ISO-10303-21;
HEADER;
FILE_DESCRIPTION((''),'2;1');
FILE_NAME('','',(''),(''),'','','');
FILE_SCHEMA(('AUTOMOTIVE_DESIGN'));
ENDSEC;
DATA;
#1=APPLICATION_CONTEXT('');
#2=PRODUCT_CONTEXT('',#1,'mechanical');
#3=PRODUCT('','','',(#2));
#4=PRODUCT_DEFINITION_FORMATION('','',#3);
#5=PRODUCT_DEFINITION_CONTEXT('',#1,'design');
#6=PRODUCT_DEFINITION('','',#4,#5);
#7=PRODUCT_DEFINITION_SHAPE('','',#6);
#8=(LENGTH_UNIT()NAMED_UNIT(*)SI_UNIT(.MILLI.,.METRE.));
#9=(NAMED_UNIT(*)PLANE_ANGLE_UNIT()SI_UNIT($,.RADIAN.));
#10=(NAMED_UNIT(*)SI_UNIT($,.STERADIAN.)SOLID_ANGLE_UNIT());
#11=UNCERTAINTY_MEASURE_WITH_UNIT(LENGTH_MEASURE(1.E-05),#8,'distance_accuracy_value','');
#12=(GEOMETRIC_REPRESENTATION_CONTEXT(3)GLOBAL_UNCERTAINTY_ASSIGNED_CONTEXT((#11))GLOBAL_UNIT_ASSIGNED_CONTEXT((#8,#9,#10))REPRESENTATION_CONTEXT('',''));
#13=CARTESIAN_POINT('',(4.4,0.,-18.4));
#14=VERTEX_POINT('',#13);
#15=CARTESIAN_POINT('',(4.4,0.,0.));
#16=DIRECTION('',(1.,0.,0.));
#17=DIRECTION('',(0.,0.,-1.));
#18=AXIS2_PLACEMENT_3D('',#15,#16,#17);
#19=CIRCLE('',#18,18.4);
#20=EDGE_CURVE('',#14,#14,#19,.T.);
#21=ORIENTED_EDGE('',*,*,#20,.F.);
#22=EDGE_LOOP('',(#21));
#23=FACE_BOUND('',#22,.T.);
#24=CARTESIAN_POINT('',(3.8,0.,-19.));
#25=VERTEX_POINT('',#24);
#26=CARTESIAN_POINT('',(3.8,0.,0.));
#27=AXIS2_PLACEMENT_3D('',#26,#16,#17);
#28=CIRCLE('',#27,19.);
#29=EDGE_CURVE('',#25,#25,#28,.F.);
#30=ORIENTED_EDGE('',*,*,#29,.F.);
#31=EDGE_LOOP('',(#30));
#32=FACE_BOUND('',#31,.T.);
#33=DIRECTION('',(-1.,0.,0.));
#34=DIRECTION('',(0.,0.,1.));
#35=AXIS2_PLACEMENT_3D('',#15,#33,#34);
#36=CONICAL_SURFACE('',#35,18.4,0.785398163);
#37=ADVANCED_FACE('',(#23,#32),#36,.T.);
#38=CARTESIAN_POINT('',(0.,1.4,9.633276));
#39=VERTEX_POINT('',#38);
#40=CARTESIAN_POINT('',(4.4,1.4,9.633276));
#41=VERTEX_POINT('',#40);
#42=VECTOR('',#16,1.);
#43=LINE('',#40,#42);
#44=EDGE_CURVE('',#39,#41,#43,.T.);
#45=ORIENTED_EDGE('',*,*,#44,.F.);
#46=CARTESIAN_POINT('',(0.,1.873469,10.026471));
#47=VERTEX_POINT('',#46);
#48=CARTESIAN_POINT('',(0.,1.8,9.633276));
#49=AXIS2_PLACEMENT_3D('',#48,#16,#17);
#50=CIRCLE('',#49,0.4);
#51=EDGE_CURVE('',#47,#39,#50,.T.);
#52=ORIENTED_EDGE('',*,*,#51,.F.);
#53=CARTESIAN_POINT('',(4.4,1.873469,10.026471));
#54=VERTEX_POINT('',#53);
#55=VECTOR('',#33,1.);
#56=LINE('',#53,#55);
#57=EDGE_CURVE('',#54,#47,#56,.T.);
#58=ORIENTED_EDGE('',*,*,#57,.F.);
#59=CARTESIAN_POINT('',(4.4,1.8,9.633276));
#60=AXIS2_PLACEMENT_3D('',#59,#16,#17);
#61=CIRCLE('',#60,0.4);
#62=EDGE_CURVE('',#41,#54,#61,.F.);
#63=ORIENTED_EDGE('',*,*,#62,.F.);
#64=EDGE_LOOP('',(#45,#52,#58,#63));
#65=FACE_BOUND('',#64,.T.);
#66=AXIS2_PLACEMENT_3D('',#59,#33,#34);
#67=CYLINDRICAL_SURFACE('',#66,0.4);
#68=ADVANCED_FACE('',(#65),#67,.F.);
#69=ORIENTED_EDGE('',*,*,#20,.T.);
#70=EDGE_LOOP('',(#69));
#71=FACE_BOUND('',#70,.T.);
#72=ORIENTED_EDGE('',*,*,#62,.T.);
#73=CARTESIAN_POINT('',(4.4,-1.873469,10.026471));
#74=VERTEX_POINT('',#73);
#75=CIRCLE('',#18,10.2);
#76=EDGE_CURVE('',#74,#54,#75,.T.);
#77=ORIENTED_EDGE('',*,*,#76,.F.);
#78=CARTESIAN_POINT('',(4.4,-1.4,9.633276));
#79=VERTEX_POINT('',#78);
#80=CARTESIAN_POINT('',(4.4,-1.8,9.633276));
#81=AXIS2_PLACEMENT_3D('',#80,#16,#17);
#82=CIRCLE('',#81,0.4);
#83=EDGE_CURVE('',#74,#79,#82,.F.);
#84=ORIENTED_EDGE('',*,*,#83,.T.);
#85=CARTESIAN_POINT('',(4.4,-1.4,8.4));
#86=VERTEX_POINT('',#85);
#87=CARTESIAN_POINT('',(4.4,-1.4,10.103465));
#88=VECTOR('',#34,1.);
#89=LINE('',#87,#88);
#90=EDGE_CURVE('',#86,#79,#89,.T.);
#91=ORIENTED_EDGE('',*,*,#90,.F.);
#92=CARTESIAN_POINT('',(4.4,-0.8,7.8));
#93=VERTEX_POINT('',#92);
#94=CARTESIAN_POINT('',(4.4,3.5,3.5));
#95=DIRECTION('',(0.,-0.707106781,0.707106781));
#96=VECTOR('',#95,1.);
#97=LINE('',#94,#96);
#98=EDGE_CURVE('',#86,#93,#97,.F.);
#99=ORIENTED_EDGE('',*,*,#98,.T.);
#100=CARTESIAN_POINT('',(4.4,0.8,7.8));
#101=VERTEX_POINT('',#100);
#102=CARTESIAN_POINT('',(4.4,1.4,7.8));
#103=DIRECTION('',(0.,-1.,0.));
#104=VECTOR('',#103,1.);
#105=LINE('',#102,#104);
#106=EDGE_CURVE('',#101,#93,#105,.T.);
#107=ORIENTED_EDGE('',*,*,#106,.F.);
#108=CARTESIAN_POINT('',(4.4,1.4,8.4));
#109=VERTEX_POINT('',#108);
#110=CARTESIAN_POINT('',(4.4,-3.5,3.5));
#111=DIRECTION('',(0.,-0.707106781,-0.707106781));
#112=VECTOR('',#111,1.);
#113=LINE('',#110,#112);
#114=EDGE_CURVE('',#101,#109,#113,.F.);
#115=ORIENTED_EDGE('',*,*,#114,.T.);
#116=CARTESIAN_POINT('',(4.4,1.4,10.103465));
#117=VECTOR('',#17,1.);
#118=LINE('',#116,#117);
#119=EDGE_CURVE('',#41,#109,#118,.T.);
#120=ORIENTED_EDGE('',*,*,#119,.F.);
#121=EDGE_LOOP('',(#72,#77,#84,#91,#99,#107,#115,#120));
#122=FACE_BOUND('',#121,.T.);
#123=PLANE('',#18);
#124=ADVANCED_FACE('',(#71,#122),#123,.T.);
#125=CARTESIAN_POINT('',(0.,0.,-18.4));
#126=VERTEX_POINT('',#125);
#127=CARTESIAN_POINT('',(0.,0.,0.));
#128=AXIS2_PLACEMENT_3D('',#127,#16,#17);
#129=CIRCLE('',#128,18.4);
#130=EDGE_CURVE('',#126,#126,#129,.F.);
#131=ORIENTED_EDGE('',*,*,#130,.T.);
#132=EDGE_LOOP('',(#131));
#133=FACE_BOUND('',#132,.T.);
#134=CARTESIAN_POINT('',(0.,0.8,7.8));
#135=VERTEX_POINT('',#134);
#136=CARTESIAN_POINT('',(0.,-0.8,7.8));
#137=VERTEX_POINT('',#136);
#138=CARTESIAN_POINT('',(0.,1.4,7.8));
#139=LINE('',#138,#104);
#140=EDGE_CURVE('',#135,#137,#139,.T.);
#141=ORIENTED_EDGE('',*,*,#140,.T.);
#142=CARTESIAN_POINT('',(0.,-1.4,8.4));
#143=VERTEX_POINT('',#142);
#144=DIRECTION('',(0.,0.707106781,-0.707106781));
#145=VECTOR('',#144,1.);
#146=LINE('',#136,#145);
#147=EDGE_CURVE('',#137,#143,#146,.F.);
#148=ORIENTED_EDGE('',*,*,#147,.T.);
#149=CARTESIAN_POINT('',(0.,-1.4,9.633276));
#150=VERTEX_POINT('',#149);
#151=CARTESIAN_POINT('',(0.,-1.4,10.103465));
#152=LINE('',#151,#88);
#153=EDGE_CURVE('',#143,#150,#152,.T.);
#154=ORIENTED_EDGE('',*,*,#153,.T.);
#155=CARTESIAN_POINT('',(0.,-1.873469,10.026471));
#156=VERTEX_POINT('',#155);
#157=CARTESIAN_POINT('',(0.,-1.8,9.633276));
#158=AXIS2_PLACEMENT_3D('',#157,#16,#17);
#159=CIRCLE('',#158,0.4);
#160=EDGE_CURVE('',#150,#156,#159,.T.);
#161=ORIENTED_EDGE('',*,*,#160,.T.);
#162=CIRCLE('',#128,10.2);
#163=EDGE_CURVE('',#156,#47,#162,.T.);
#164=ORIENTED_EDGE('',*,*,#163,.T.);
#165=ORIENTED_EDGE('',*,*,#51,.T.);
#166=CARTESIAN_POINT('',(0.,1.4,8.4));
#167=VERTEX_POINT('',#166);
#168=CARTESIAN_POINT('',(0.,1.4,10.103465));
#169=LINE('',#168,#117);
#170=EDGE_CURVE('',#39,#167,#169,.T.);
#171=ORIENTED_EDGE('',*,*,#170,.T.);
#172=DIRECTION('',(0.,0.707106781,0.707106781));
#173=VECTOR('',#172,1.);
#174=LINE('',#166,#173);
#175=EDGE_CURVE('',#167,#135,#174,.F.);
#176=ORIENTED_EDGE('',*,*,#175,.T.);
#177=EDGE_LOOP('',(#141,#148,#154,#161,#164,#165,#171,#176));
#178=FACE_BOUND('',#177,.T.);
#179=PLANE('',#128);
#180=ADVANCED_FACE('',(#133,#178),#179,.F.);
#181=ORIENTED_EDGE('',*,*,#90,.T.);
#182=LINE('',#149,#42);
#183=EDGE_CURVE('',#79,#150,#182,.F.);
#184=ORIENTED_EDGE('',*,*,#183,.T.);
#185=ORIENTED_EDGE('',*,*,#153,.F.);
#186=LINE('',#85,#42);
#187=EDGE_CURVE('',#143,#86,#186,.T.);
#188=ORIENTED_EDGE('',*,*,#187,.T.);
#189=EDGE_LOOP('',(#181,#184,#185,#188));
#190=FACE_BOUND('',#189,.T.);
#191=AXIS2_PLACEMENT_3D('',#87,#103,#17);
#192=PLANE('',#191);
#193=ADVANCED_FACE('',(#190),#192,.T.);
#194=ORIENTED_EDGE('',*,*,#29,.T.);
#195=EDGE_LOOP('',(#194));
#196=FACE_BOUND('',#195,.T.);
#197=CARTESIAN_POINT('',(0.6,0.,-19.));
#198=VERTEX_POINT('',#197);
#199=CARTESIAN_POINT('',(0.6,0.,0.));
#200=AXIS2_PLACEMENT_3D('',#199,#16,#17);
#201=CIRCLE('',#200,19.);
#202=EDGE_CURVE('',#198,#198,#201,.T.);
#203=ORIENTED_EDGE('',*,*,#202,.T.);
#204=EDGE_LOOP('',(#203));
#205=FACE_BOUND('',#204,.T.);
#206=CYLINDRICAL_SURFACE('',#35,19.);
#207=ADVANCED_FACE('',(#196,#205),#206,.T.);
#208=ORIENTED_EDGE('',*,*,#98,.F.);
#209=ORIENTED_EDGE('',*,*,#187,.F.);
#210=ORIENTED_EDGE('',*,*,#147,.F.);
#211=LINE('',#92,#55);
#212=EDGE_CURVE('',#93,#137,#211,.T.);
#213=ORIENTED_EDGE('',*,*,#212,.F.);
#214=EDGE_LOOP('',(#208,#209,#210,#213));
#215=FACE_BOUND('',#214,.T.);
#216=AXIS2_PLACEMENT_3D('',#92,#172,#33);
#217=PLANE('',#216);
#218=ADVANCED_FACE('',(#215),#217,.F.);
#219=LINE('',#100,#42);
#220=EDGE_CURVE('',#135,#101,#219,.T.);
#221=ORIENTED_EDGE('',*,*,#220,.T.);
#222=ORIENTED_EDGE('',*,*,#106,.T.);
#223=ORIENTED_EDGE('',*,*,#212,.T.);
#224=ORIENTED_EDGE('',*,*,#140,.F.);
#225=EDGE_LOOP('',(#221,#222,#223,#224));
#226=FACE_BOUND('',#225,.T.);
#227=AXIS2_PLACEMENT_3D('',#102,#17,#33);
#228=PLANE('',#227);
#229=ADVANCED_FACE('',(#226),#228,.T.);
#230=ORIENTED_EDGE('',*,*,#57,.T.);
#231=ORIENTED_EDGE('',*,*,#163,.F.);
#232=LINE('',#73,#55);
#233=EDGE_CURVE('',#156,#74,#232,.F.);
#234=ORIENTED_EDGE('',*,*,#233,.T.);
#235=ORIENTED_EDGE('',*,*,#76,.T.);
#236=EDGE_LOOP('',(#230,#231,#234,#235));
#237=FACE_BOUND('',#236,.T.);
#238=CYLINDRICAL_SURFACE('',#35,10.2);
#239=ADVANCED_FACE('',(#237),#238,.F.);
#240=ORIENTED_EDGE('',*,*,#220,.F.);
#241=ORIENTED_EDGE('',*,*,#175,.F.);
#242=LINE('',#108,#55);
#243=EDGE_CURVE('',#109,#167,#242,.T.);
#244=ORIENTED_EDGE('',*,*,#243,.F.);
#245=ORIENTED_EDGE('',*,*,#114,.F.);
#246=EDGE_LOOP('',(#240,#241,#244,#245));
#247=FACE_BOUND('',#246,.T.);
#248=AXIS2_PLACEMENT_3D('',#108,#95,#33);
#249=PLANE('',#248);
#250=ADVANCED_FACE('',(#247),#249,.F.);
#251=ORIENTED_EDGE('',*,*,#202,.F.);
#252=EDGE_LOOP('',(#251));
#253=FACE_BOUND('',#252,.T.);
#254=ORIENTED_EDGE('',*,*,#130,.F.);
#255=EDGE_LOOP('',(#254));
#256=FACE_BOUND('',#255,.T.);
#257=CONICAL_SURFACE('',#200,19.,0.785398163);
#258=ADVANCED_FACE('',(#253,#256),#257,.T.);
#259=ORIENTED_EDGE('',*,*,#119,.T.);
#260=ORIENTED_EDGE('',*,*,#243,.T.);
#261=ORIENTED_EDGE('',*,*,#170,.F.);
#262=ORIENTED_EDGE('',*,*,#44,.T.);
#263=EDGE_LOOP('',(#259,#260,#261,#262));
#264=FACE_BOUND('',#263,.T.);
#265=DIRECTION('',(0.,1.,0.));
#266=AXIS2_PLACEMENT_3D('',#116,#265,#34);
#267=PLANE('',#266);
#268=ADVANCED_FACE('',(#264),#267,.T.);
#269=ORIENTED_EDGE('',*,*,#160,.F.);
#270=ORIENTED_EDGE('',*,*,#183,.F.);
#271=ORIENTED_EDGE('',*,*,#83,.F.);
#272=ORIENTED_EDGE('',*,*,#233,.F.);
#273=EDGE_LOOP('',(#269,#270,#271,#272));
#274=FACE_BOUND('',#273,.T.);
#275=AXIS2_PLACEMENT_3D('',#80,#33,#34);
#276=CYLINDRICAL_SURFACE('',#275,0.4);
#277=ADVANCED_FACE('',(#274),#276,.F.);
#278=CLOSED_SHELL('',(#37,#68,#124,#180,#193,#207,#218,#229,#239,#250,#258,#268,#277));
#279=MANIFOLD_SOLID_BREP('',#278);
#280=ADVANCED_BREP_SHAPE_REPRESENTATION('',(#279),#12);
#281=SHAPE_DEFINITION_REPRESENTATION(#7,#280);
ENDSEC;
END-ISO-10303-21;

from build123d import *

# Parameters (mm, degrees)
CROQUIS1_R              = 19
SALIENTE_EXTRUIR1_DEPTH = 4.4
CHAFL_N1_SIZE           = 0.6
CHAFL_N2_SIZE           = 0.6
REDONDEO1_R             = 0.4


with BuildPart() as part:
    # Croquis1 → Saliente-Extruir1 (new body)
    with BuildSketch(Plane.YZ):
        with Locations(Location((0, 0, 0), (0, 0, 270))):
            Circle(CROQUIS1_R)
        with BuildLine():
            Line((1.4, 10.103464752), (1.4, 7.8))
            Line((1.4, 7.8), (-1.4, 7.8))
            Line((-1.4, 7.8), (-1.4, 10.103464752))
            ThreePointArc((-1.4, 10.103464752), (0, -10.2), (1.4, 10.103464752))
        make_face(mode=Mode.SUBTRACT)
    extrude(amount=SALIENTE_EXTRUIR1_DEPTH)

    # Chaflán1
    chafl_n1_edges = [part.edges().sort_by_distance(p)[0] for p in [
        (0, 0, 19),
        (4.4, 0, 19),
    ]]
    chamfer(chafl_n1_edges, length=CHAFL_N1_SIZE)

    # Chaflán2
    chafl_n2_edges = [part.edges().sort_by_distance(p)[0] for p in [
        (2.2, 1.4, 7.8),
        (2.2, -1.4, 7.8),
    ]]
    chamfer(chafl_n2_edges, length=CHAFL_N2_SIZE)

    # Redondeo1
    redondeo1_edges = [part.edges().sort_by_distance(p)[0] for p in [
        (2.2, -1.4, 10.103464752),
        (2.2, 1.4, 10.103464752),
    ]]
    fillet(redondeo1_edges, radius=REDONDEO1_R)


solid = part.part
